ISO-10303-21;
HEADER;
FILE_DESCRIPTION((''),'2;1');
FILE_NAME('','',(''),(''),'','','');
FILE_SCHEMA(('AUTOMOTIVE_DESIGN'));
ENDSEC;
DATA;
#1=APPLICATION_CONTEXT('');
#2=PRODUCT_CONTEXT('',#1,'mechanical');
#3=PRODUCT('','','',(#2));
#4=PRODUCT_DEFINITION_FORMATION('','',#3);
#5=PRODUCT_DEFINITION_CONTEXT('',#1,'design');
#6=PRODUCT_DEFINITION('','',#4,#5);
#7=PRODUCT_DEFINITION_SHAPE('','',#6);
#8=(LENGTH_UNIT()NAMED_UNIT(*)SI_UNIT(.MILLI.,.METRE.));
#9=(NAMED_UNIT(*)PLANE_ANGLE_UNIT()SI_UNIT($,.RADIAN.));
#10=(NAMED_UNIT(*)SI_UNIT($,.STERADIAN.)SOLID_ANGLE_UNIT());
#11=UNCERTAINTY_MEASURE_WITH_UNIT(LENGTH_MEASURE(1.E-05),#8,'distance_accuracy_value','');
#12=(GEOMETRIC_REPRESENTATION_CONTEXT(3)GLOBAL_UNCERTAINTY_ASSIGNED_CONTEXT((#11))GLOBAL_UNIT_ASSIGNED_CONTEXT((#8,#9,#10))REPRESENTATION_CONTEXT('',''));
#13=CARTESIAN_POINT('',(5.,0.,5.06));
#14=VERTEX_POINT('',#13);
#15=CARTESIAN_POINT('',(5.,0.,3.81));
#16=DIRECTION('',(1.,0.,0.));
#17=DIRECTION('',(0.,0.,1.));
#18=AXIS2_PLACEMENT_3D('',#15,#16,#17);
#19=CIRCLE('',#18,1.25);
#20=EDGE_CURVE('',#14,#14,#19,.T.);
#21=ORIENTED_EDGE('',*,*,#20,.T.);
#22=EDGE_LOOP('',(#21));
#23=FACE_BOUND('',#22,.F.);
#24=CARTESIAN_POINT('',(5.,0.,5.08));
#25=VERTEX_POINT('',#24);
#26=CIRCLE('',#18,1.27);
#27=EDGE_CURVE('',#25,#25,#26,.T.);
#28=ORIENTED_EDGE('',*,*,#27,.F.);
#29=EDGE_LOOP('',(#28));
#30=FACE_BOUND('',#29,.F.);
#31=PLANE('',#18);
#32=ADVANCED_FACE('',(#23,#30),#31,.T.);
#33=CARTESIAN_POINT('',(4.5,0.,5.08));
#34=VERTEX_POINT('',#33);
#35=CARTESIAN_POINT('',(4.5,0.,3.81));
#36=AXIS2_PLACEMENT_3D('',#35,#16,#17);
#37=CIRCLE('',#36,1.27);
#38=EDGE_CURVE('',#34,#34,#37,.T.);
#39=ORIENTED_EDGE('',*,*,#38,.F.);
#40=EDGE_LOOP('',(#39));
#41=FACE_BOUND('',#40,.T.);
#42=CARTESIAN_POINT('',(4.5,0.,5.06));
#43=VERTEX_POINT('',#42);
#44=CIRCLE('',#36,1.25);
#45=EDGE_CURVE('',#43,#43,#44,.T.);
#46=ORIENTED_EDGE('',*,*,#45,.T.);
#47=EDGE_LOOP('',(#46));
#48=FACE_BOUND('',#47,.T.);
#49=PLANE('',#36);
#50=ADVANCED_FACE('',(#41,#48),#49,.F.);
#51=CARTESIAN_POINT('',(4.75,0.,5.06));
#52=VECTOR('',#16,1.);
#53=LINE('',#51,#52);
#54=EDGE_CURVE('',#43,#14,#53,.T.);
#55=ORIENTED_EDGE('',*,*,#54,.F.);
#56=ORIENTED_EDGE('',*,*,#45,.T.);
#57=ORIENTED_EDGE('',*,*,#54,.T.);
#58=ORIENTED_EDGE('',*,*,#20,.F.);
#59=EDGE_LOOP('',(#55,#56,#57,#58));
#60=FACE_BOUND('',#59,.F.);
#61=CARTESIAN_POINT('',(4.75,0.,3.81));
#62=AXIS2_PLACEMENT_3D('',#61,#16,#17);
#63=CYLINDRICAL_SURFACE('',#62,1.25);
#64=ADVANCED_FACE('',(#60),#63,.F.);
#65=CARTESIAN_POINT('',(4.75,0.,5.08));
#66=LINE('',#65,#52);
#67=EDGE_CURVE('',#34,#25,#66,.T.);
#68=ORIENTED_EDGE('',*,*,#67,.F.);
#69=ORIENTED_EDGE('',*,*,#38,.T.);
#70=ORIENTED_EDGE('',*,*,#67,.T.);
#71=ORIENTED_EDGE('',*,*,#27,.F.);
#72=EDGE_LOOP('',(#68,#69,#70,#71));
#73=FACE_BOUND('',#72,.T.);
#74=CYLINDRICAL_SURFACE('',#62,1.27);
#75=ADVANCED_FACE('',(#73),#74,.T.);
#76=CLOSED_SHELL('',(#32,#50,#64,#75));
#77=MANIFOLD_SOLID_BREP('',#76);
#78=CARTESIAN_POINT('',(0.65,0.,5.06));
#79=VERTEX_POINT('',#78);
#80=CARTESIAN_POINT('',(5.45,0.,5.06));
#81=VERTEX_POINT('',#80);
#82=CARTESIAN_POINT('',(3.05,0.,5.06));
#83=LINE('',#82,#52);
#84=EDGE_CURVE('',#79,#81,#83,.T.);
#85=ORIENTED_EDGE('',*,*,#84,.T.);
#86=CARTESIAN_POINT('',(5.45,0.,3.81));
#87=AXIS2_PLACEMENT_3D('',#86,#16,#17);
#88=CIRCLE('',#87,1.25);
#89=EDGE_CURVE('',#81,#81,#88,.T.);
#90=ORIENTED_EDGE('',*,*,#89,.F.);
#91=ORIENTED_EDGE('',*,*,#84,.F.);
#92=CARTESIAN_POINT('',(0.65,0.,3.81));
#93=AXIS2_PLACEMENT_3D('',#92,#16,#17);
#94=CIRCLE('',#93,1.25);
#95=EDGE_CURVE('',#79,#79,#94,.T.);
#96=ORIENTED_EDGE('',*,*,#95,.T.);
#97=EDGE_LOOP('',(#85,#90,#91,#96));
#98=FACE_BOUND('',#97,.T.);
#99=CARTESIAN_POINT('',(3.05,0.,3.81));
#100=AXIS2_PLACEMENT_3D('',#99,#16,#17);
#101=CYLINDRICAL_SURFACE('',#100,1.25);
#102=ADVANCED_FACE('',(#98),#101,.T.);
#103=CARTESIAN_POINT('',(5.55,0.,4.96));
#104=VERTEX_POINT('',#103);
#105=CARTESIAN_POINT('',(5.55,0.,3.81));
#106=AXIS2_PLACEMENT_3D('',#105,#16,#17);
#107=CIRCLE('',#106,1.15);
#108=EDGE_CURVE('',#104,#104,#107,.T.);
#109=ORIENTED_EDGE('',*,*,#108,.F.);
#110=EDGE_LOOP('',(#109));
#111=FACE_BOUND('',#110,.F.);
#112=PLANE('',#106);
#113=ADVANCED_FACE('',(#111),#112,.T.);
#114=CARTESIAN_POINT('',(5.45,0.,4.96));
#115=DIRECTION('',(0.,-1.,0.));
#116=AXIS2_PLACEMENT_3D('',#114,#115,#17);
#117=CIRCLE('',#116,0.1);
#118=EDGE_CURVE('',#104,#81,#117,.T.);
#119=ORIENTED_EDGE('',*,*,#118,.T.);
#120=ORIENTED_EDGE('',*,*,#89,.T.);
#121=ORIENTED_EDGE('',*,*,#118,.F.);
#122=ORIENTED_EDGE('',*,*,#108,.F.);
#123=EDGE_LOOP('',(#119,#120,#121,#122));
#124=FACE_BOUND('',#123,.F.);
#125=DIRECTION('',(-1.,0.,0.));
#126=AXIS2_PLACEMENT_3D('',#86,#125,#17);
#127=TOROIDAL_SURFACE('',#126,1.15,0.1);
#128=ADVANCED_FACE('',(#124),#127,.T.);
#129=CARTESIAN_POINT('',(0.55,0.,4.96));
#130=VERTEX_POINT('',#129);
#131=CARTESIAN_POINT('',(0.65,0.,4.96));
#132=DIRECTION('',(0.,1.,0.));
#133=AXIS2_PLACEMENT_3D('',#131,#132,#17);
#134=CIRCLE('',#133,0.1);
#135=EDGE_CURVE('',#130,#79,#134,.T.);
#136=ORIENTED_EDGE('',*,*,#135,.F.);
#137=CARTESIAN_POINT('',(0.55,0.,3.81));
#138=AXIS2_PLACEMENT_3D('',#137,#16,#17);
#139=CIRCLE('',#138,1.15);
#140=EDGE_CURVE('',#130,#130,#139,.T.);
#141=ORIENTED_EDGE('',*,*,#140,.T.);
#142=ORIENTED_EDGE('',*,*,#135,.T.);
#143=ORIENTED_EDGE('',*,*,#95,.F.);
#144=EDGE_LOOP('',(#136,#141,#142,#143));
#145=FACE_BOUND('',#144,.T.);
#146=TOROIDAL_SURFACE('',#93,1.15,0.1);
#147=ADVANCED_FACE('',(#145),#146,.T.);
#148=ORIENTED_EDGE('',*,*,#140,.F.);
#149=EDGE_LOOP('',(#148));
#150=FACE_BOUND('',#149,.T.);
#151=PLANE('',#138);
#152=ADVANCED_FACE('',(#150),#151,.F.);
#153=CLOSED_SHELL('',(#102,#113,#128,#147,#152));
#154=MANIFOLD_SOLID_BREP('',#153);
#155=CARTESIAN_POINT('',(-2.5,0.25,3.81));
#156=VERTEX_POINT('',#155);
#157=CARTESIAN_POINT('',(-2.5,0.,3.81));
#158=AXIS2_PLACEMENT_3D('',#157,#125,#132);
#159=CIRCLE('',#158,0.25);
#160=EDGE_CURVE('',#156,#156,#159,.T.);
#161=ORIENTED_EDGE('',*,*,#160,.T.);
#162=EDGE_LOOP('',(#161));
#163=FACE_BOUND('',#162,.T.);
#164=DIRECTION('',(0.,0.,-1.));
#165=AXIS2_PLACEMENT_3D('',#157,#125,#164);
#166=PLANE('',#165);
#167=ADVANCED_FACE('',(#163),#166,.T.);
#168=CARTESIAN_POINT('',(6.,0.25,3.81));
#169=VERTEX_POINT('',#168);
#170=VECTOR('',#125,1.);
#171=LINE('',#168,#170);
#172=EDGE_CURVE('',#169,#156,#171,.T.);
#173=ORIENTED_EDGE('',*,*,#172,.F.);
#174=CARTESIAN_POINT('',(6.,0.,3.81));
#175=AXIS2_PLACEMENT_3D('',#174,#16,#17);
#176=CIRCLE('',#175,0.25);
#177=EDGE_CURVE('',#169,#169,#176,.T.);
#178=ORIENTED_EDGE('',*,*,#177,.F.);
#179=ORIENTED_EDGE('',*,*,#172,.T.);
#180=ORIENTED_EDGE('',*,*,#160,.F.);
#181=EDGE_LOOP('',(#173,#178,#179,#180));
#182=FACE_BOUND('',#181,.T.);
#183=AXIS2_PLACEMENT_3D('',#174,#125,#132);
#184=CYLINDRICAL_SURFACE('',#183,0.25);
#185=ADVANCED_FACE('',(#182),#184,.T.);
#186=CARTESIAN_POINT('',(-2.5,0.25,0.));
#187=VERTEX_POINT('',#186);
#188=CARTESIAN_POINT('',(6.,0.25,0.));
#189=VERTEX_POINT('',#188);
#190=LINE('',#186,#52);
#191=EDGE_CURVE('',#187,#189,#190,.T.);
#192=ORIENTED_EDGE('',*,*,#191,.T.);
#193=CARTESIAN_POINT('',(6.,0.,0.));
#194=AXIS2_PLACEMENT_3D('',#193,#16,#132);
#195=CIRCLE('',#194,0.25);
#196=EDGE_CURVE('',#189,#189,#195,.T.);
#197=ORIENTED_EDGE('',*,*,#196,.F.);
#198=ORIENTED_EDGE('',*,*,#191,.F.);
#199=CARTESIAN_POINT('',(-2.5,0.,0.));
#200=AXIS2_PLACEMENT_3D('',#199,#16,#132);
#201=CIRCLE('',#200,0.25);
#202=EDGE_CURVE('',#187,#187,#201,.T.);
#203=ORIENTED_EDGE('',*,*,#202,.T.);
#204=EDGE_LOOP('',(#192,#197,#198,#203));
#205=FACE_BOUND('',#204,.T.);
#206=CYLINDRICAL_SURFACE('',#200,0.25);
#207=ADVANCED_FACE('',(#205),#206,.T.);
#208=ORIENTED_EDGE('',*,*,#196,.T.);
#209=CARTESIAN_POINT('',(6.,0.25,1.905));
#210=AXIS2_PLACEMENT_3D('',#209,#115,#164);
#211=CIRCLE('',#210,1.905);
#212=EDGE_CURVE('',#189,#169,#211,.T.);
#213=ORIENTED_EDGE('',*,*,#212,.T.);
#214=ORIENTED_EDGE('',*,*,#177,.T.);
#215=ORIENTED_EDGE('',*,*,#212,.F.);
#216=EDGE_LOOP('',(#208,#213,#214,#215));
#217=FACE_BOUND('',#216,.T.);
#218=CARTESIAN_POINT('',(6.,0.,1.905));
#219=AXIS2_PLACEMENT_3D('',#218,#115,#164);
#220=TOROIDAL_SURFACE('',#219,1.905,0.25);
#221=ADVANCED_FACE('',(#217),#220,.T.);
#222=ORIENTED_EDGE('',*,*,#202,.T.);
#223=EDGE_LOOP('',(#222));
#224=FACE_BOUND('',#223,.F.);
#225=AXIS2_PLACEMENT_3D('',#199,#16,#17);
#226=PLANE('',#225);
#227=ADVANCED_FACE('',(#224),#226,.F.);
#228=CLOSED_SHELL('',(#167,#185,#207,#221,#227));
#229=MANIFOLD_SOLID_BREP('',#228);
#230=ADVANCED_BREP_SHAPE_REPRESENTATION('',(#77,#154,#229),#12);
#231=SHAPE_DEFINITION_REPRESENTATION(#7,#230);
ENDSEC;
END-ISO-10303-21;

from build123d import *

# Parameters (mm, degrees)
SKETCH_R    = 0.25
SKETCH002_W = 5
SKETCH002_H = 1.25
FILLET_R    = 0.1
SKETCH003_W = 0.5
SKETCH003_H = 0.02


with BuildPart() as sweep_body:
    # Sweep: sweep along a path in Sketch001
    with BuildLine(Plane.XZ) as sweep_path:
        Line((-2.5, 0), (6, 0))
        ThreePointArc((6, 0), (7.905, 1.905), (6, 3.81))
        Line((6, 3.81), (-2.5, 3.81))
    # Sketch → Sweep (sweep)
    with BuildSketch(Plane.YZ.offset(-2.5)):
        Circle(SKETCH_R)
    sweep(path=sweep_path.line, is_frenet=True)


with BuildPart() as fillet_body:
    # Sketch002 → Revolution (revolve)
    with BuildSketch(Plane.XZ):
        with Locations((3.05, 4.435)):
            Rectangle(SKETCH002_W, SKETCH002_H)
    revolve(axis=Axis((0.55, 0, 3.81), (1, 0, 0)))

    # Fillet
    fillet_edges = [fillet_body.edges().sort_by_distance(p)[0] for p in [
        (0.55, 0, 2.56),
        (5.55, 0, 2.56),
    ]]
    fillet(fillet_edges, radius=FILLET_R)


with BuildPart() as revolution001:
    # Sketch003 → Revolution001 (revolve)
    with BuildSketch(Plane.XZ):
        with Locations((4.75, 5.07)):
            Rectangle(SKETCH003_W, SKETCH003_H)
    revolve(axis=Axis((0, 0, 3.81), (1, 0, 0)))


solid = Compound([sweep_body.part, fillet_body.part, revolution001.part])
